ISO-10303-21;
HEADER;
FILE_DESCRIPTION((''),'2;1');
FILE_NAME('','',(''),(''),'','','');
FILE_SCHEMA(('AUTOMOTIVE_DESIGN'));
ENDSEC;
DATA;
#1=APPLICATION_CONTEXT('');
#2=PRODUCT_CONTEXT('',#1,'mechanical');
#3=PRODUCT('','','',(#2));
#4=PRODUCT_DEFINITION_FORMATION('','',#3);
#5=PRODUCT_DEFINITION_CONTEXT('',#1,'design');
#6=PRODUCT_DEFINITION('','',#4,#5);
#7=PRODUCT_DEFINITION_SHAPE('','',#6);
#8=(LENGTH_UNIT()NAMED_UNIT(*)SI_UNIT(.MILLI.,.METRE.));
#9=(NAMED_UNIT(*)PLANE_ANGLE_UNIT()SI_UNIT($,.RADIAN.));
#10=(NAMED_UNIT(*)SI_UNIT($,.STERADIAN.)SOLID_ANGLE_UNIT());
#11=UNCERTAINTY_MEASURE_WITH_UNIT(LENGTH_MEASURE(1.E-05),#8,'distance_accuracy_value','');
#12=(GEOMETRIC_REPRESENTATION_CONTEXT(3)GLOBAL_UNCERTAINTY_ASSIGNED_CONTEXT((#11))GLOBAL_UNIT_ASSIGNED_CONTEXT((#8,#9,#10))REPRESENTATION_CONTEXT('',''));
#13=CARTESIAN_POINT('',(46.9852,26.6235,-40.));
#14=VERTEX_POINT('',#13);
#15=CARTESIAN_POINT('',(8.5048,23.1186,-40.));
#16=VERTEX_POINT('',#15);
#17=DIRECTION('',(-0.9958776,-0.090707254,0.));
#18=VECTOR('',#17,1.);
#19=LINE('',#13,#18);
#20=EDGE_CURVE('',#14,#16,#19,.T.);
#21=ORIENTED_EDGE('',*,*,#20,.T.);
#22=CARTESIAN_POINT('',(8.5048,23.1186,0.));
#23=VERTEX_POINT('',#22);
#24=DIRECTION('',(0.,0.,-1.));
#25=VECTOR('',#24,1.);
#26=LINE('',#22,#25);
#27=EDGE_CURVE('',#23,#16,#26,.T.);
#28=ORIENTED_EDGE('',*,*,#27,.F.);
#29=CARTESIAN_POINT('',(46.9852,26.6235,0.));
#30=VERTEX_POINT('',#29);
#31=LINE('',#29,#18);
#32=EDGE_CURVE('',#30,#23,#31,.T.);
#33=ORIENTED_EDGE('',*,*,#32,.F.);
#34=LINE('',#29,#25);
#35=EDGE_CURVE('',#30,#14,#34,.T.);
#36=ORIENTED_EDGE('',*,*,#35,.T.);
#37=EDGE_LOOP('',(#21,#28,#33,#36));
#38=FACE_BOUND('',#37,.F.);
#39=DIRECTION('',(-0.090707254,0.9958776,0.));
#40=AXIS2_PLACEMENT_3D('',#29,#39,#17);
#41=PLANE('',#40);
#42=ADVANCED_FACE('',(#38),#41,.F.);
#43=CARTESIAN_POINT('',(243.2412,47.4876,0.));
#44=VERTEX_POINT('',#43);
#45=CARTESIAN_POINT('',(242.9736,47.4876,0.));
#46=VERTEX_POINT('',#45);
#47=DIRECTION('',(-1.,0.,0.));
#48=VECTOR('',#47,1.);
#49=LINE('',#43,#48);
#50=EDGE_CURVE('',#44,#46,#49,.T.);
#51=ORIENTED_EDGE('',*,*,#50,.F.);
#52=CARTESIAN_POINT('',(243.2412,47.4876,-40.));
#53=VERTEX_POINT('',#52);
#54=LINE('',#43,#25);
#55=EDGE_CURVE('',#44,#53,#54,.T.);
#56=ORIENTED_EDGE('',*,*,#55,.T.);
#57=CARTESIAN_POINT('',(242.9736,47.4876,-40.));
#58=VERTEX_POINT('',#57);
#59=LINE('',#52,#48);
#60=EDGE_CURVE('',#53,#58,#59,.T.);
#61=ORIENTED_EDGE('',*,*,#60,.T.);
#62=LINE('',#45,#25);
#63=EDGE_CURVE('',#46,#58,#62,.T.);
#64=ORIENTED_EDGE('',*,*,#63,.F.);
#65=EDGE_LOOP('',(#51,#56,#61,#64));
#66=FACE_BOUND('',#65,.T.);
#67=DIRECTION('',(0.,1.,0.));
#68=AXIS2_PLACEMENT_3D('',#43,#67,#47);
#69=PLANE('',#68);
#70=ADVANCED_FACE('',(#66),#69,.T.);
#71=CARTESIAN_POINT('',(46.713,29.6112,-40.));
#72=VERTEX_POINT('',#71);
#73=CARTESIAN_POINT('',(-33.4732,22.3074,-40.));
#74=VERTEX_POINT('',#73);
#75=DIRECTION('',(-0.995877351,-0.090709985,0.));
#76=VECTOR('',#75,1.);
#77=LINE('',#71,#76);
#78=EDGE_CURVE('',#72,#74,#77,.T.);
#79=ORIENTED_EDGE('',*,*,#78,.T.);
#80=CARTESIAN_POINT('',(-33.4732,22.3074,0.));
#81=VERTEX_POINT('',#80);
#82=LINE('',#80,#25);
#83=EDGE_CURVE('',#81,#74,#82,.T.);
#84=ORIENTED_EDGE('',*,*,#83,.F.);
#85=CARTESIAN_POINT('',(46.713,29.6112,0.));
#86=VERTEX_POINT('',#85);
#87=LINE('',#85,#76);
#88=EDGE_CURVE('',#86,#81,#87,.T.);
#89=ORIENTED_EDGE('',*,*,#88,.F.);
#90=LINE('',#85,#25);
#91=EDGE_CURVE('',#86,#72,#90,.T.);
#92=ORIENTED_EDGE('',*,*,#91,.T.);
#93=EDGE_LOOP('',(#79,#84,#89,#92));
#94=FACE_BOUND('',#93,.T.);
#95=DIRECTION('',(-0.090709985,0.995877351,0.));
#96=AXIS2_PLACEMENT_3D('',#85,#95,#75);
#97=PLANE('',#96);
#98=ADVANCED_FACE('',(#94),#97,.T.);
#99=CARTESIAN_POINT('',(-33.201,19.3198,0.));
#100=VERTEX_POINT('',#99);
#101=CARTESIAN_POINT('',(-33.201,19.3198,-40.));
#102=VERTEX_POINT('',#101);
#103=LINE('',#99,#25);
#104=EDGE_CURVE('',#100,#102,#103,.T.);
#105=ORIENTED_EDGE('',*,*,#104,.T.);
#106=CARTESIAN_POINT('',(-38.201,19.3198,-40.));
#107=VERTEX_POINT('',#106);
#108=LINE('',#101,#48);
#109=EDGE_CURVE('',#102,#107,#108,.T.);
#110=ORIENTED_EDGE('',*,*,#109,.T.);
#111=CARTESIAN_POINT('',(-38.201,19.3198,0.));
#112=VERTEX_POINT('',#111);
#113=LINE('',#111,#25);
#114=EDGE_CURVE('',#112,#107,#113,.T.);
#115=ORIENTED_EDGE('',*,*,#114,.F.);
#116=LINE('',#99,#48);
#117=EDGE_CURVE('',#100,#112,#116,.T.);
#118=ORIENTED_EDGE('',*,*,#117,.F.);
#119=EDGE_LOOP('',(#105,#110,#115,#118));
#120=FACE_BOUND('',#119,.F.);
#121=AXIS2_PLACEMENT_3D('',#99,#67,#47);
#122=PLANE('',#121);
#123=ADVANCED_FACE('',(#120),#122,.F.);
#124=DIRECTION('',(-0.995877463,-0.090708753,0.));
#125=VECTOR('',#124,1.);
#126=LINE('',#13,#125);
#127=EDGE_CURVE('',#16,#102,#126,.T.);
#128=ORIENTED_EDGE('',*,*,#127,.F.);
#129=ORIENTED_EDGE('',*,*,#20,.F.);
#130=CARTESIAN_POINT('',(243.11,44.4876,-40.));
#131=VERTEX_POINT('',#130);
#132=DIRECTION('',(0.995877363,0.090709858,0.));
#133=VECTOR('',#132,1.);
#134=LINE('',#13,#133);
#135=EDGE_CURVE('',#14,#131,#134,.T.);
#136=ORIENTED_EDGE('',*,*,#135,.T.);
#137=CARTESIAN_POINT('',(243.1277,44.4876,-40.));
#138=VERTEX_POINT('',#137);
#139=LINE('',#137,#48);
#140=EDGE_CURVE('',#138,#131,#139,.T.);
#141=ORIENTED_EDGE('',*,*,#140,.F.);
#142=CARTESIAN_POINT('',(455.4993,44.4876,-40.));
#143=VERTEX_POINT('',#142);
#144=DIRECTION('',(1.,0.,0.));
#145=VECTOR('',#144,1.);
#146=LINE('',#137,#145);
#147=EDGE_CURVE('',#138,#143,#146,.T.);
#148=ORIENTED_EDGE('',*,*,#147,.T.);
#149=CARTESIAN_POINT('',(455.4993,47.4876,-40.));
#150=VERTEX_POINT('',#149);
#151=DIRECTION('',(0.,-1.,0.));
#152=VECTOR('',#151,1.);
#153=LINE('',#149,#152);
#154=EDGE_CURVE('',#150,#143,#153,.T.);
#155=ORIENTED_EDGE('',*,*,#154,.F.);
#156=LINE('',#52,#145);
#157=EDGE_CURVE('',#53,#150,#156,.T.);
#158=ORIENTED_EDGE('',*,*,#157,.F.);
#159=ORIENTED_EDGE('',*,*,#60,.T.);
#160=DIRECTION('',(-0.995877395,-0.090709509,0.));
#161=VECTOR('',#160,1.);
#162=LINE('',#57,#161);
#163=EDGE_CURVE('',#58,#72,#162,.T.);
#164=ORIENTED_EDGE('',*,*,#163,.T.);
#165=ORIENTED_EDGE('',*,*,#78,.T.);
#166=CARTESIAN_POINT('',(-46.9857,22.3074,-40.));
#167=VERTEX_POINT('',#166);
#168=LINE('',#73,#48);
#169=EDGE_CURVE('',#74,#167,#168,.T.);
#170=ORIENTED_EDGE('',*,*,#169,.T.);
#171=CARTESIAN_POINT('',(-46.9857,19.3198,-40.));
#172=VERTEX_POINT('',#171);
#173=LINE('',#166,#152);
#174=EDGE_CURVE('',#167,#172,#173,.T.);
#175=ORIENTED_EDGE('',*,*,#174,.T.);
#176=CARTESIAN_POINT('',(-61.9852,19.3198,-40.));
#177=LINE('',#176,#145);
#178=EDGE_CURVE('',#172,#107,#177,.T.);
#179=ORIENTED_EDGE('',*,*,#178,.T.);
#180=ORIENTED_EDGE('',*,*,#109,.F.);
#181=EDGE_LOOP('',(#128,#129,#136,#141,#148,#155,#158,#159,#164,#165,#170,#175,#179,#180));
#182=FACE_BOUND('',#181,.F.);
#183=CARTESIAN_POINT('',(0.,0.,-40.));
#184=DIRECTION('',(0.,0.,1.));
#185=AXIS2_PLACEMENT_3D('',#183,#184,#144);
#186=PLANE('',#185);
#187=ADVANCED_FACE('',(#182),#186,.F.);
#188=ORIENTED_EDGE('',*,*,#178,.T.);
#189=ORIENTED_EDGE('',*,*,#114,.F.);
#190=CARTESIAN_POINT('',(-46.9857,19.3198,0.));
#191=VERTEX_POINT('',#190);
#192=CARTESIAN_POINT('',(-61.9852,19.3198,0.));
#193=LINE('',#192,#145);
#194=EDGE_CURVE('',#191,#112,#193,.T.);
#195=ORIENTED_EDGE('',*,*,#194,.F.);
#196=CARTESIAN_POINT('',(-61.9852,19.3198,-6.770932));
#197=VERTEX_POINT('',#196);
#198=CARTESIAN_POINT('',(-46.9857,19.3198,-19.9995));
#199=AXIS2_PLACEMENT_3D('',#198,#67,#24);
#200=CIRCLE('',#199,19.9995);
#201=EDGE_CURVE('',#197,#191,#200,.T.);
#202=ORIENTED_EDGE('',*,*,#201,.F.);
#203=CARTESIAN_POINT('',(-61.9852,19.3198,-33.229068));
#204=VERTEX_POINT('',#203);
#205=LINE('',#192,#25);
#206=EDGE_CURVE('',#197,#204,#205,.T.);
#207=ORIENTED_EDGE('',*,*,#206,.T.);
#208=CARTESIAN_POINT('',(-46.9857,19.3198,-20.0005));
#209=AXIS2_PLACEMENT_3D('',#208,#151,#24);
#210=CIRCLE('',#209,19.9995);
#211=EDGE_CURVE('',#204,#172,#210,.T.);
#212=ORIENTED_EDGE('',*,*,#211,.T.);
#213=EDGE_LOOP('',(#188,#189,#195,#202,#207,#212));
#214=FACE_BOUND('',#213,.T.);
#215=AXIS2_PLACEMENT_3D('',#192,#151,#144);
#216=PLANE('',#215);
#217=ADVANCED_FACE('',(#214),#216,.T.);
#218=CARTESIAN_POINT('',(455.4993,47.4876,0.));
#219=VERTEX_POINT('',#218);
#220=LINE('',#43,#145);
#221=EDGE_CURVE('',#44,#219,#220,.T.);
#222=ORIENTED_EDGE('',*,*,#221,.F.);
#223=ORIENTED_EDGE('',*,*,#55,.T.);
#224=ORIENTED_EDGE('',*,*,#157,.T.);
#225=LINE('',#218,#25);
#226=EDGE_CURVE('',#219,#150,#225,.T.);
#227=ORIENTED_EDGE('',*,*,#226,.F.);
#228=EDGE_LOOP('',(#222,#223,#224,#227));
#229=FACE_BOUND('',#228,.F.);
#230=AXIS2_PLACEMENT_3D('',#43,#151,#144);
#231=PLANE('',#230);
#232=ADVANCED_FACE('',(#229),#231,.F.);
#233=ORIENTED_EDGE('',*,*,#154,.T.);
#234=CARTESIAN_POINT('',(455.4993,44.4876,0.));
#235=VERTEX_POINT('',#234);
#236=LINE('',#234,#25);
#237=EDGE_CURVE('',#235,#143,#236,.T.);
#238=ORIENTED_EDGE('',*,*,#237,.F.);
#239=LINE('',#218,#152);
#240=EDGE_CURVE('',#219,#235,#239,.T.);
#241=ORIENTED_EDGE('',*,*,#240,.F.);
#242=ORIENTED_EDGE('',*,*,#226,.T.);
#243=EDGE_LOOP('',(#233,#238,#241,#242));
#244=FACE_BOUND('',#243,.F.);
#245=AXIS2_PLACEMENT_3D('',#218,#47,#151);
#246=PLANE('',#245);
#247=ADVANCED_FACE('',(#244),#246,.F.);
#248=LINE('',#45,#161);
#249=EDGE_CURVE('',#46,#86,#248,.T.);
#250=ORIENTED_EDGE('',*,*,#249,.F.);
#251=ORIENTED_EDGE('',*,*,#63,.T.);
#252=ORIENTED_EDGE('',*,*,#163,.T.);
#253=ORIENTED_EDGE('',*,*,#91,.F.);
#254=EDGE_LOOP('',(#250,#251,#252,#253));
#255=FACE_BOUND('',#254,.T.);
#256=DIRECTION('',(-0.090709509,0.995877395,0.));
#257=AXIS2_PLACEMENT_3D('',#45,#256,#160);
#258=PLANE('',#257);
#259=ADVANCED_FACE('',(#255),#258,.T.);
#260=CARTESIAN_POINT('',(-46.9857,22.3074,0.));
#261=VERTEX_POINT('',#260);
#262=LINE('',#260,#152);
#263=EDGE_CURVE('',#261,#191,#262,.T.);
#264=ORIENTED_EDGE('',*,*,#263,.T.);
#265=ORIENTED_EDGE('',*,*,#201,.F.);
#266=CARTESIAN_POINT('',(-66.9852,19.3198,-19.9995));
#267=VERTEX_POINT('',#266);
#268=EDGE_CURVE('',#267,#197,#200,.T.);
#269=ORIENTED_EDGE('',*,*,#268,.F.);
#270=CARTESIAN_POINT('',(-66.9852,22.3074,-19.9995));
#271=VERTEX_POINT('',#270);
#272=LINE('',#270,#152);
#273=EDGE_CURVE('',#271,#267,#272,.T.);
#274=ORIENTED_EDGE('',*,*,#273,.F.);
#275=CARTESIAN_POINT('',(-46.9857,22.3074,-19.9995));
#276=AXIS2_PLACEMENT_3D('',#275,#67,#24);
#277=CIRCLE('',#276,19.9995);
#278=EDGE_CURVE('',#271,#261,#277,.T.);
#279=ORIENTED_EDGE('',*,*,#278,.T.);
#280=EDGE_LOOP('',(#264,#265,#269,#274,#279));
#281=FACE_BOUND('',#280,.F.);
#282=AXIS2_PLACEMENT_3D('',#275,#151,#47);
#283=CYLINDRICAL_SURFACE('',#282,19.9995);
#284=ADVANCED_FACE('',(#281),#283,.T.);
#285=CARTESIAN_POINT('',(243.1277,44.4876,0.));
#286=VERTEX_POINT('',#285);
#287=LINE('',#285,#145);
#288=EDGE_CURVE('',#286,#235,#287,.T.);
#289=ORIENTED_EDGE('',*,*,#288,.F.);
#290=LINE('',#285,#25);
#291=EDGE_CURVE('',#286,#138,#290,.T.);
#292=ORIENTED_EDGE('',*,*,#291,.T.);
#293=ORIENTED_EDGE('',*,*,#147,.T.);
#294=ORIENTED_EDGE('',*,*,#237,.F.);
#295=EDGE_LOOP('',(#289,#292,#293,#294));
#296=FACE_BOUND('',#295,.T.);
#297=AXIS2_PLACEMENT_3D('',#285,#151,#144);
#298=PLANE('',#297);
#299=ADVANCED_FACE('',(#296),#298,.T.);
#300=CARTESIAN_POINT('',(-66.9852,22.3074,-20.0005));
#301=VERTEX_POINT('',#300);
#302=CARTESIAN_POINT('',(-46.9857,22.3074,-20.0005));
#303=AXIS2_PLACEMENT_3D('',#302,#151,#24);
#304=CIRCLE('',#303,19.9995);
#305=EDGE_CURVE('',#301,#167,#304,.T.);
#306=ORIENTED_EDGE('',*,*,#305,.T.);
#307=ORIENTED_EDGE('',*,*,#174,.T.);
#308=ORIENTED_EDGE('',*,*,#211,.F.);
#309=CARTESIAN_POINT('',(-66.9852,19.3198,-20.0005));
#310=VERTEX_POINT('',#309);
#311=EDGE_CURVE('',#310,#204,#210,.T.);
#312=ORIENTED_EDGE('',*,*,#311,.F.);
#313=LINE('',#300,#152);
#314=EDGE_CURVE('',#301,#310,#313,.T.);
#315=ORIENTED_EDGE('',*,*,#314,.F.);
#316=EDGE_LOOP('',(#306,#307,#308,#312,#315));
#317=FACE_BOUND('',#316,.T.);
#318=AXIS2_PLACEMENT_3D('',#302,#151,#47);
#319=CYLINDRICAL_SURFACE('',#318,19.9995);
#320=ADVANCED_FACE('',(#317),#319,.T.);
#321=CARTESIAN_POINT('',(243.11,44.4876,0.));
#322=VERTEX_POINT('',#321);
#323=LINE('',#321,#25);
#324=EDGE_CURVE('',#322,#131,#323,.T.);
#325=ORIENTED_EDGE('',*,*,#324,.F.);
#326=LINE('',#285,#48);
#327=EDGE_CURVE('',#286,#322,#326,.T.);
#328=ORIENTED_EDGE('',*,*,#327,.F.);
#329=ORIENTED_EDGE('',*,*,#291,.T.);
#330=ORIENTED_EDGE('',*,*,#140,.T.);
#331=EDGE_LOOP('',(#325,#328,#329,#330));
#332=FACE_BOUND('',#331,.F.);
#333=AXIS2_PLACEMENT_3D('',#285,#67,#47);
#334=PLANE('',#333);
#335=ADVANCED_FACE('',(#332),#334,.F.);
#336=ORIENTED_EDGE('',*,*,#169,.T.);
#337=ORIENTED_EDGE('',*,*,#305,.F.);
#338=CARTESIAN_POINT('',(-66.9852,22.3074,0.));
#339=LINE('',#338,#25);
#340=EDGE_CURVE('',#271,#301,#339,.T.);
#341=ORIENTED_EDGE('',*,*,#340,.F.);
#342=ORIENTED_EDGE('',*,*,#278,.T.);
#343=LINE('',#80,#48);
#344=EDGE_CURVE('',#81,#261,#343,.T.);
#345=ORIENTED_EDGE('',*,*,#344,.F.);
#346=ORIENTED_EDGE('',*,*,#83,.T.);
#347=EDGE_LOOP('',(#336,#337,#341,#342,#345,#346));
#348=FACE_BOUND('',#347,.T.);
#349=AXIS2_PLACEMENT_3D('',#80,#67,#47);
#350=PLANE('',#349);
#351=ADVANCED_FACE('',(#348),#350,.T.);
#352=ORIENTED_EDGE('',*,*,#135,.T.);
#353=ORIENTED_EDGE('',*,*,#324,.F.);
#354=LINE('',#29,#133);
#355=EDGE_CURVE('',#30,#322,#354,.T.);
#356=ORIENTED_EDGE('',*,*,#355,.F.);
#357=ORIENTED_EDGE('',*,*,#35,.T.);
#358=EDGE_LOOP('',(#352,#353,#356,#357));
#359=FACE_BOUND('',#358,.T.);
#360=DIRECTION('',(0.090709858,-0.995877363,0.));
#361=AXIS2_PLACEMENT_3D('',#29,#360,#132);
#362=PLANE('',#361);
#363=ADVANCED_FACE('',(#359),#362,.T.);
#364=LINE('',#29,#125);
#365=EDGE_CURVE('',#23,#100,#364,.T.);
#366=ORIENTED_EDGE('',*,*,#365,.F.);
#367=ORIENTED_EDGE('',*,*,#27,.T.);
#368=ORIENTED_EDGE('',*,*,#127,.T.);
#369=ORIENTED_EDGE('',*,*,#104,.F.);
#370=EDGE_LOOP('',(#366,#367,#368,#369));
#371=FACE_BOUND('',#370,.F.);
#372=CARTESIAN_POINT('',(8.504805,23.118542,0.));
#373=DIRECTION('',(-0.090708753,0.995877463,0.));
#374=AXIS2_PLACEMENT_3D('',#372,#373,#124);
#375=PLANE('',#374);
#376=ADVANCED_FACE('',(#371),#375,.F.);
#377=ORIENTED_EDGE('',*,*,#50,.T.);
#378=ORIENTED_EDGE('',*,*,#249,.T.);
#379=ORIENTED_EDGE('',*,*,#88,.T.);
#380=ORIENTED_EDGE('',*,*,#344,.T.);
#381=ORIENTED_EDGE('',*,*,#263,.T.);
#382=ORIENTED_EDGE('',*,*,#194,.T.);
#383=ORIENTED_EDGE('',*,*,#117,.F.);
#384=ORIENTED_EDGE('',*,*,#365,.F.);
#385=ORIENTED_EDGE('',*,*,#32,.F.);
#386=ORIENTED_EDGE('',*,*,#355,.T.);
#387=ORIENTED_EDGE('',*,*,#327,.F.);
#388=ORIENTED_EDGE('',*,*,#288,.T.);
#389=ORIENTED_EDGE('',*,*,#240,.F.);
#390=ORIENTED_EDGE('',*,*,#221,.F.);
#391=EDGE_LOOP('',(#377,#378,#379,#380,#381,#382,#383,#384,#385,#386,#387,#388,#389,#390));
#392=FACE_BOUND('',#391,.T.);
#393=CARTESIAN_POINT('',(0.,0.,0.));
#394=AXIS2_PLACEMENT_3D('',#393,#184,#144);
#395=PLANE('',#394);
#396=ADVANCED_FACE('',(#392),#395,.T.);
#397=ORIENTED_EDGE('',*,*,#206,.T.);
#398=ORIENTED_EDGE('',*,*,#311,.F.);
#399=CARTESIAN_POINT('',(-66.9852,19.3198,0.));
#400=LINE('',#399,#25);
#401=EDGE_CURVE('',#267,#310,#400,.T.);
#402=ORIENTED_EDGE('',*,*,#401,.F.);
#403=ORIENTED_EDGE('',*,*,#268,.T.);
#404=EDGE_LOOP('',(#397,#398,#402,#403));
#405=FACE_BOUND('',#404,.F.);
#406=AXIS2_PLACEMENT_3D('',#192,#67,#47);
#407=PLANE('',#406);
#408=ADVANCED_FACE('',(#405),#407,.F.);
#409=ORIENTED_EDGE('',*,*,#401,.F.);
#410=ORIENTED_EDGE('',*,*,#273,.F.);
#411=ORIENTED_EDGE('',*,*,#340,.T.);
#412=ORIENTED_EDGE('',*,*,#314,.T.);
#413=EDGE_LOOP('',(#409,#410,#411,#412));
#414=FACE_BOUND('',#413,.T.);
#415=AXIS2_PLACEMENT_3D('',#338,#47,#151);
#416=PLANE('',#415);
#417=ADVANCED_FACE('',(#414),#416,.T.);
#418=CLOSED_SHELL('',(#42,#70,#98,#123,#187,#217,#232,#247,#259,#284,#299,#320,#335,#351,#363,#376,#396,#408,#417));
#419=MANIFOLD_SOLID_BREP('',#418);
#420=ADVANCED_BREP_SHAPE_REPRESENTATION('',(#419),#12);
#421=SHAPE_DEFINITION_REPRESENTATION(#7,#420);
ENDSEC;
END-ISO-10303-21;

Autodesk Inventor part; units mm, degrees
ref_plane "YZ Plane" through (0, 0, 0) normal (1, 0, 0) x (0, 1, 0)
ref_plane "XZ Plane" through (0, 0, 0) normal (0, 1, 0) x (-1, 0, 0)
ref_plane "XY Plane" through (0, 0, 0) normal (0, 0, 1) x (1, 0, 0)
sketch "Szkic1" plane through (0, 0, 0) normal (0, 0, 1) x (1, 0, 0)
  line L0 (46.9852, 26.6235) -> (8.5048, 23.1186) projected
  line L1 (-61.9852, 19.3198) -> (-38.201, 19.3198) projected
  line L2 (-33.201, 19.3198) -> (-38.201, 19.3198) projected
  line L3 (-61.9852, 19.3198) -> (-66.9852, 19.3198) projected
  line L4 (46.9852, 26.6235) -> (-33.201, 19.3198)
  line L5 (46.9852, 26.6235) -> (243.11, 44.4876)
  line L6 (8.5048, 1) -> (16.799, 1) projected
  line L7 (8.5048, -1) -> (16.799, -1) projected
  line L8 (243.1277, 44.4876) -> (455.4993, 44.4876)
  line L9 (-66.9852, 19.3198) -> (-33.201, 19.3198)
  line L10 (243.2412, 47.4876) -> (455.4993, 47.4876)
  line L11 (242.9736, 47.4876) -> (46.713, 29.6112)
  line L12 (46.713, 29.6112) -> (-33.4732, 22.3074)
  line L13 (-33.4732, 22.3074) -> (-66.9852, 22.3074)
  line L14 (-66.9852, 22.3074) -> (-66.9852, 19.3198)
  line L15 (455.4993, 47.4876) -> (455.4993, 44.4876)
  line L16 (243.2412, 47.4876) -> (242.9736, 47.4876)
  line L17 (243.1277, 44.4876) -> (243.11, 44.4876)
  point P0 (0, 0)
  dimension "d1" = 3
  dimension "d2" = 3
extrude "Wyciągnięcie proste1" add sketch "Szkic1" against normal blind 40
fillet "Zaokrąglenie1" radius 20 2 edges at (-66.9852, 20.8136, 0) (-66.9852, 20.8136, -40)
properties part number "bok2"
